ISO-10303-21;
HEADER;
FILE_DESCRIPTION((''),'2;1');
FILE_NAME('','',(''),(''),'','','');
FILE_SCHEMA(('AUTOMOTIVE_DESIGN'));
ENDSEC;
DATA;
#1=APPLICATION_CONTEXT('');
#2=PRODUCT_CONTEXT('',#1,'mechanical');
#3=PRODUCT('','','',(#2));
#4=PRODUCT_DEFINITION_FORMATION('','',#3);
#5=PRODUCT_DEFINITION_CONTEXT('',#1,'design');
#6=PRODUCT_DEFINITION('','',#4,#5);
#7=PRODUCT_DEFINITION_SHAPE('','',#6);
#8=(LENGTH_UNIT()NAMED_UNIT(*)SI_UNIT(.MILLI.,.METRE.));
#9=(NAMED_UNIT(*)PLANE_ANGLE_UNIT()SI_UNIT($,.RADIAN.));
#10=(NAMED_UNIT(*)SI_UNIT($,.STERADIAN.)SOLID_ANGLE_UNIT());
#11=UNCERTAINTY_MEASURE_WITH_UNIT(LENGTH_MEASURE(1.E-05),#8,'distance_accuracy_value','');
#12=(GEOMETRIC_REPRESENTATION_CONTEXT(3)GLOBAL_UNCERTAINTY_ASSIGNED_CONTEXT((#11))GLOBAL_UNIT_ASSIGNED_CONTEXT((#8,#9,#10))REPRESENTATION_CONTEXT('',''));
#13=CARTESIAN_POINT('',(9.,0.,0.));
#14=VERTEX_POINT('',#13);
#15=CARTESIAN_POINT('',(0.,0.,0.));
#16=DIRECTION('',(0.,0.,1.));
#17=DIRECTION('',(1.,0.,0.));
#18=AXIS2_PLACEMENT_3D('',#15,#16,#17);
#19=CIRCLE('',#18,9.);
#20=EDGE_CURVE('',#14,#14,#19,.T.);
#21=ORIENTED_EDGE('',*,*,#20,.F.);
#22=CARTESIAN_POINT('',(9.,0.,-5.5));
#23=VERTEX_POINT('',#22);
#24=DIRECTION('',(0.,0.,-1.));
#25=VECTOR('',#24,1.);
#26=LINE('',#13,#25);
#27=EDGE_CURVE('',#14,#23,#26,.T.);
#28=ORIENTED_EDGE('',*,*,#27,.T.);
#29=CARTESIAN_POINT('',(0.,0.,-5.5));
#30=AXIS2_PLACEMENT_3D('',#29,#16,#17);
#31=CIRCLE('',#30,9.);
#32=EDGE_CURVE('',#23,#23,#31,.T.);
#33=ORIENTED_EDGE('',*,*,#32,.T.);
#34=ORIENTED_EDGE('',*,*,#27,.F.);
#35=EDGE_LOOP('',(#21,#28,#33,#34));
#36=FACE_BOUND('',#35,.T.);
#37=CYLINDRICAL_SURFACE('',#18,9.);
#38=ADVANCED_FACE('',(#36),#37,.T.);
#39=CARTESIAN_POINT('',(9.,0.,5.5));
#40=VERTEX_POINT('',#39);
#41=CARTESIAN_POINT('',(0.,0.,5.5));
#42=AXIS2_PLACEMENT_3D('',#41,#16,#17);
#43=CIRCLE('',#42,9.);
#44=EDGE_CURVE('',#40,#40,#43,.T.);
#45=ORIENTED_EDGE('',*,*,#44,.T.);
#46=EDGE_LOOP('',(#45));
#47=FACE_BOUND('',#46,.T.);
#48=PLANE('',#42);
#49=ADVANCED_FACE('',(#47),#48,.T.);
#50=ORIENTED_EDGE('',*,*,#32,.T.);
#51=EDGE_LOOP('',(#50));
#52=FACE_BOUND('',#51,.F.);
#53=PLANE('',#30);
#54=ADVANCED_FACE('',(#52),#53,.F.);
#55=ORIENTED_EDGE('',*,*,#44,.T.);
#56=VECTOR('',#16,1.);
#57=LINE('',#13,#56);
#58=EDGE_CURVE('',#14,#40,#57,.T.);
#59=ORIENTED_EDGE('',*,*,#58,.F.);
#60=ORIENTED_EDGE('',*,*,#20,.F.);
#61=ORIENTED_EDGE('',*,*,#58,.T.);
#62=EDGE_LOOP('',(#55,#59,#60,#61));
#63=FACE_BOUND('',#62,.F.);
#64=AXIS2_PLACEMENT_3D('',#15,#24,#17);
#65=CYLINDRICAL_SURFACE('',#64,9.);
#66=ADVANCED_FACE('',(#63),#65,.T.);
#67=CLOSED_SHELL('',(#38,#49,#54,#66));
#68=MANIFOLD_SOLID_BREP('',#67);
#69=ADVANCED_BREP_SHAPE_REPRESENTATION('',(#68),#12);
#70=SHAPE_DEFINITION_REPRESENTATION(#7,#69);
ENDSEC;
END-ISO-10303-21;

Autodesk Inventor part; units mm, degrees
ref_plane "YZ Plane" through (0, 0, 0) normal (1, 0, 0) x (0, 1, 0)
ref_plane "XZ Plane" through (0, 0, 0) normal (0, 1, 0) x (-1, 0, 0)
ref_plane "XY Plane" through (0, 0, 0) normal (0, 0, 1) x (1, 0, 0)
sketch "Main Sketch" plane through (0, 0, 0) normal (0, 0, 1) x (1, 0, 0)
  circle A0 centre (0, 0) radius 9
  dimension "d0" = 18
extrude "Pulley" add sketch "Main Sketch" along normal mid plane 11
equation "\"d0\" = da_D"
equation "\"d1\" = da_B"
equation "\"da_D\" = 18"
equation "\"da_B\" = 11"
properties part number "Flat Pulley1" material "Steel"
